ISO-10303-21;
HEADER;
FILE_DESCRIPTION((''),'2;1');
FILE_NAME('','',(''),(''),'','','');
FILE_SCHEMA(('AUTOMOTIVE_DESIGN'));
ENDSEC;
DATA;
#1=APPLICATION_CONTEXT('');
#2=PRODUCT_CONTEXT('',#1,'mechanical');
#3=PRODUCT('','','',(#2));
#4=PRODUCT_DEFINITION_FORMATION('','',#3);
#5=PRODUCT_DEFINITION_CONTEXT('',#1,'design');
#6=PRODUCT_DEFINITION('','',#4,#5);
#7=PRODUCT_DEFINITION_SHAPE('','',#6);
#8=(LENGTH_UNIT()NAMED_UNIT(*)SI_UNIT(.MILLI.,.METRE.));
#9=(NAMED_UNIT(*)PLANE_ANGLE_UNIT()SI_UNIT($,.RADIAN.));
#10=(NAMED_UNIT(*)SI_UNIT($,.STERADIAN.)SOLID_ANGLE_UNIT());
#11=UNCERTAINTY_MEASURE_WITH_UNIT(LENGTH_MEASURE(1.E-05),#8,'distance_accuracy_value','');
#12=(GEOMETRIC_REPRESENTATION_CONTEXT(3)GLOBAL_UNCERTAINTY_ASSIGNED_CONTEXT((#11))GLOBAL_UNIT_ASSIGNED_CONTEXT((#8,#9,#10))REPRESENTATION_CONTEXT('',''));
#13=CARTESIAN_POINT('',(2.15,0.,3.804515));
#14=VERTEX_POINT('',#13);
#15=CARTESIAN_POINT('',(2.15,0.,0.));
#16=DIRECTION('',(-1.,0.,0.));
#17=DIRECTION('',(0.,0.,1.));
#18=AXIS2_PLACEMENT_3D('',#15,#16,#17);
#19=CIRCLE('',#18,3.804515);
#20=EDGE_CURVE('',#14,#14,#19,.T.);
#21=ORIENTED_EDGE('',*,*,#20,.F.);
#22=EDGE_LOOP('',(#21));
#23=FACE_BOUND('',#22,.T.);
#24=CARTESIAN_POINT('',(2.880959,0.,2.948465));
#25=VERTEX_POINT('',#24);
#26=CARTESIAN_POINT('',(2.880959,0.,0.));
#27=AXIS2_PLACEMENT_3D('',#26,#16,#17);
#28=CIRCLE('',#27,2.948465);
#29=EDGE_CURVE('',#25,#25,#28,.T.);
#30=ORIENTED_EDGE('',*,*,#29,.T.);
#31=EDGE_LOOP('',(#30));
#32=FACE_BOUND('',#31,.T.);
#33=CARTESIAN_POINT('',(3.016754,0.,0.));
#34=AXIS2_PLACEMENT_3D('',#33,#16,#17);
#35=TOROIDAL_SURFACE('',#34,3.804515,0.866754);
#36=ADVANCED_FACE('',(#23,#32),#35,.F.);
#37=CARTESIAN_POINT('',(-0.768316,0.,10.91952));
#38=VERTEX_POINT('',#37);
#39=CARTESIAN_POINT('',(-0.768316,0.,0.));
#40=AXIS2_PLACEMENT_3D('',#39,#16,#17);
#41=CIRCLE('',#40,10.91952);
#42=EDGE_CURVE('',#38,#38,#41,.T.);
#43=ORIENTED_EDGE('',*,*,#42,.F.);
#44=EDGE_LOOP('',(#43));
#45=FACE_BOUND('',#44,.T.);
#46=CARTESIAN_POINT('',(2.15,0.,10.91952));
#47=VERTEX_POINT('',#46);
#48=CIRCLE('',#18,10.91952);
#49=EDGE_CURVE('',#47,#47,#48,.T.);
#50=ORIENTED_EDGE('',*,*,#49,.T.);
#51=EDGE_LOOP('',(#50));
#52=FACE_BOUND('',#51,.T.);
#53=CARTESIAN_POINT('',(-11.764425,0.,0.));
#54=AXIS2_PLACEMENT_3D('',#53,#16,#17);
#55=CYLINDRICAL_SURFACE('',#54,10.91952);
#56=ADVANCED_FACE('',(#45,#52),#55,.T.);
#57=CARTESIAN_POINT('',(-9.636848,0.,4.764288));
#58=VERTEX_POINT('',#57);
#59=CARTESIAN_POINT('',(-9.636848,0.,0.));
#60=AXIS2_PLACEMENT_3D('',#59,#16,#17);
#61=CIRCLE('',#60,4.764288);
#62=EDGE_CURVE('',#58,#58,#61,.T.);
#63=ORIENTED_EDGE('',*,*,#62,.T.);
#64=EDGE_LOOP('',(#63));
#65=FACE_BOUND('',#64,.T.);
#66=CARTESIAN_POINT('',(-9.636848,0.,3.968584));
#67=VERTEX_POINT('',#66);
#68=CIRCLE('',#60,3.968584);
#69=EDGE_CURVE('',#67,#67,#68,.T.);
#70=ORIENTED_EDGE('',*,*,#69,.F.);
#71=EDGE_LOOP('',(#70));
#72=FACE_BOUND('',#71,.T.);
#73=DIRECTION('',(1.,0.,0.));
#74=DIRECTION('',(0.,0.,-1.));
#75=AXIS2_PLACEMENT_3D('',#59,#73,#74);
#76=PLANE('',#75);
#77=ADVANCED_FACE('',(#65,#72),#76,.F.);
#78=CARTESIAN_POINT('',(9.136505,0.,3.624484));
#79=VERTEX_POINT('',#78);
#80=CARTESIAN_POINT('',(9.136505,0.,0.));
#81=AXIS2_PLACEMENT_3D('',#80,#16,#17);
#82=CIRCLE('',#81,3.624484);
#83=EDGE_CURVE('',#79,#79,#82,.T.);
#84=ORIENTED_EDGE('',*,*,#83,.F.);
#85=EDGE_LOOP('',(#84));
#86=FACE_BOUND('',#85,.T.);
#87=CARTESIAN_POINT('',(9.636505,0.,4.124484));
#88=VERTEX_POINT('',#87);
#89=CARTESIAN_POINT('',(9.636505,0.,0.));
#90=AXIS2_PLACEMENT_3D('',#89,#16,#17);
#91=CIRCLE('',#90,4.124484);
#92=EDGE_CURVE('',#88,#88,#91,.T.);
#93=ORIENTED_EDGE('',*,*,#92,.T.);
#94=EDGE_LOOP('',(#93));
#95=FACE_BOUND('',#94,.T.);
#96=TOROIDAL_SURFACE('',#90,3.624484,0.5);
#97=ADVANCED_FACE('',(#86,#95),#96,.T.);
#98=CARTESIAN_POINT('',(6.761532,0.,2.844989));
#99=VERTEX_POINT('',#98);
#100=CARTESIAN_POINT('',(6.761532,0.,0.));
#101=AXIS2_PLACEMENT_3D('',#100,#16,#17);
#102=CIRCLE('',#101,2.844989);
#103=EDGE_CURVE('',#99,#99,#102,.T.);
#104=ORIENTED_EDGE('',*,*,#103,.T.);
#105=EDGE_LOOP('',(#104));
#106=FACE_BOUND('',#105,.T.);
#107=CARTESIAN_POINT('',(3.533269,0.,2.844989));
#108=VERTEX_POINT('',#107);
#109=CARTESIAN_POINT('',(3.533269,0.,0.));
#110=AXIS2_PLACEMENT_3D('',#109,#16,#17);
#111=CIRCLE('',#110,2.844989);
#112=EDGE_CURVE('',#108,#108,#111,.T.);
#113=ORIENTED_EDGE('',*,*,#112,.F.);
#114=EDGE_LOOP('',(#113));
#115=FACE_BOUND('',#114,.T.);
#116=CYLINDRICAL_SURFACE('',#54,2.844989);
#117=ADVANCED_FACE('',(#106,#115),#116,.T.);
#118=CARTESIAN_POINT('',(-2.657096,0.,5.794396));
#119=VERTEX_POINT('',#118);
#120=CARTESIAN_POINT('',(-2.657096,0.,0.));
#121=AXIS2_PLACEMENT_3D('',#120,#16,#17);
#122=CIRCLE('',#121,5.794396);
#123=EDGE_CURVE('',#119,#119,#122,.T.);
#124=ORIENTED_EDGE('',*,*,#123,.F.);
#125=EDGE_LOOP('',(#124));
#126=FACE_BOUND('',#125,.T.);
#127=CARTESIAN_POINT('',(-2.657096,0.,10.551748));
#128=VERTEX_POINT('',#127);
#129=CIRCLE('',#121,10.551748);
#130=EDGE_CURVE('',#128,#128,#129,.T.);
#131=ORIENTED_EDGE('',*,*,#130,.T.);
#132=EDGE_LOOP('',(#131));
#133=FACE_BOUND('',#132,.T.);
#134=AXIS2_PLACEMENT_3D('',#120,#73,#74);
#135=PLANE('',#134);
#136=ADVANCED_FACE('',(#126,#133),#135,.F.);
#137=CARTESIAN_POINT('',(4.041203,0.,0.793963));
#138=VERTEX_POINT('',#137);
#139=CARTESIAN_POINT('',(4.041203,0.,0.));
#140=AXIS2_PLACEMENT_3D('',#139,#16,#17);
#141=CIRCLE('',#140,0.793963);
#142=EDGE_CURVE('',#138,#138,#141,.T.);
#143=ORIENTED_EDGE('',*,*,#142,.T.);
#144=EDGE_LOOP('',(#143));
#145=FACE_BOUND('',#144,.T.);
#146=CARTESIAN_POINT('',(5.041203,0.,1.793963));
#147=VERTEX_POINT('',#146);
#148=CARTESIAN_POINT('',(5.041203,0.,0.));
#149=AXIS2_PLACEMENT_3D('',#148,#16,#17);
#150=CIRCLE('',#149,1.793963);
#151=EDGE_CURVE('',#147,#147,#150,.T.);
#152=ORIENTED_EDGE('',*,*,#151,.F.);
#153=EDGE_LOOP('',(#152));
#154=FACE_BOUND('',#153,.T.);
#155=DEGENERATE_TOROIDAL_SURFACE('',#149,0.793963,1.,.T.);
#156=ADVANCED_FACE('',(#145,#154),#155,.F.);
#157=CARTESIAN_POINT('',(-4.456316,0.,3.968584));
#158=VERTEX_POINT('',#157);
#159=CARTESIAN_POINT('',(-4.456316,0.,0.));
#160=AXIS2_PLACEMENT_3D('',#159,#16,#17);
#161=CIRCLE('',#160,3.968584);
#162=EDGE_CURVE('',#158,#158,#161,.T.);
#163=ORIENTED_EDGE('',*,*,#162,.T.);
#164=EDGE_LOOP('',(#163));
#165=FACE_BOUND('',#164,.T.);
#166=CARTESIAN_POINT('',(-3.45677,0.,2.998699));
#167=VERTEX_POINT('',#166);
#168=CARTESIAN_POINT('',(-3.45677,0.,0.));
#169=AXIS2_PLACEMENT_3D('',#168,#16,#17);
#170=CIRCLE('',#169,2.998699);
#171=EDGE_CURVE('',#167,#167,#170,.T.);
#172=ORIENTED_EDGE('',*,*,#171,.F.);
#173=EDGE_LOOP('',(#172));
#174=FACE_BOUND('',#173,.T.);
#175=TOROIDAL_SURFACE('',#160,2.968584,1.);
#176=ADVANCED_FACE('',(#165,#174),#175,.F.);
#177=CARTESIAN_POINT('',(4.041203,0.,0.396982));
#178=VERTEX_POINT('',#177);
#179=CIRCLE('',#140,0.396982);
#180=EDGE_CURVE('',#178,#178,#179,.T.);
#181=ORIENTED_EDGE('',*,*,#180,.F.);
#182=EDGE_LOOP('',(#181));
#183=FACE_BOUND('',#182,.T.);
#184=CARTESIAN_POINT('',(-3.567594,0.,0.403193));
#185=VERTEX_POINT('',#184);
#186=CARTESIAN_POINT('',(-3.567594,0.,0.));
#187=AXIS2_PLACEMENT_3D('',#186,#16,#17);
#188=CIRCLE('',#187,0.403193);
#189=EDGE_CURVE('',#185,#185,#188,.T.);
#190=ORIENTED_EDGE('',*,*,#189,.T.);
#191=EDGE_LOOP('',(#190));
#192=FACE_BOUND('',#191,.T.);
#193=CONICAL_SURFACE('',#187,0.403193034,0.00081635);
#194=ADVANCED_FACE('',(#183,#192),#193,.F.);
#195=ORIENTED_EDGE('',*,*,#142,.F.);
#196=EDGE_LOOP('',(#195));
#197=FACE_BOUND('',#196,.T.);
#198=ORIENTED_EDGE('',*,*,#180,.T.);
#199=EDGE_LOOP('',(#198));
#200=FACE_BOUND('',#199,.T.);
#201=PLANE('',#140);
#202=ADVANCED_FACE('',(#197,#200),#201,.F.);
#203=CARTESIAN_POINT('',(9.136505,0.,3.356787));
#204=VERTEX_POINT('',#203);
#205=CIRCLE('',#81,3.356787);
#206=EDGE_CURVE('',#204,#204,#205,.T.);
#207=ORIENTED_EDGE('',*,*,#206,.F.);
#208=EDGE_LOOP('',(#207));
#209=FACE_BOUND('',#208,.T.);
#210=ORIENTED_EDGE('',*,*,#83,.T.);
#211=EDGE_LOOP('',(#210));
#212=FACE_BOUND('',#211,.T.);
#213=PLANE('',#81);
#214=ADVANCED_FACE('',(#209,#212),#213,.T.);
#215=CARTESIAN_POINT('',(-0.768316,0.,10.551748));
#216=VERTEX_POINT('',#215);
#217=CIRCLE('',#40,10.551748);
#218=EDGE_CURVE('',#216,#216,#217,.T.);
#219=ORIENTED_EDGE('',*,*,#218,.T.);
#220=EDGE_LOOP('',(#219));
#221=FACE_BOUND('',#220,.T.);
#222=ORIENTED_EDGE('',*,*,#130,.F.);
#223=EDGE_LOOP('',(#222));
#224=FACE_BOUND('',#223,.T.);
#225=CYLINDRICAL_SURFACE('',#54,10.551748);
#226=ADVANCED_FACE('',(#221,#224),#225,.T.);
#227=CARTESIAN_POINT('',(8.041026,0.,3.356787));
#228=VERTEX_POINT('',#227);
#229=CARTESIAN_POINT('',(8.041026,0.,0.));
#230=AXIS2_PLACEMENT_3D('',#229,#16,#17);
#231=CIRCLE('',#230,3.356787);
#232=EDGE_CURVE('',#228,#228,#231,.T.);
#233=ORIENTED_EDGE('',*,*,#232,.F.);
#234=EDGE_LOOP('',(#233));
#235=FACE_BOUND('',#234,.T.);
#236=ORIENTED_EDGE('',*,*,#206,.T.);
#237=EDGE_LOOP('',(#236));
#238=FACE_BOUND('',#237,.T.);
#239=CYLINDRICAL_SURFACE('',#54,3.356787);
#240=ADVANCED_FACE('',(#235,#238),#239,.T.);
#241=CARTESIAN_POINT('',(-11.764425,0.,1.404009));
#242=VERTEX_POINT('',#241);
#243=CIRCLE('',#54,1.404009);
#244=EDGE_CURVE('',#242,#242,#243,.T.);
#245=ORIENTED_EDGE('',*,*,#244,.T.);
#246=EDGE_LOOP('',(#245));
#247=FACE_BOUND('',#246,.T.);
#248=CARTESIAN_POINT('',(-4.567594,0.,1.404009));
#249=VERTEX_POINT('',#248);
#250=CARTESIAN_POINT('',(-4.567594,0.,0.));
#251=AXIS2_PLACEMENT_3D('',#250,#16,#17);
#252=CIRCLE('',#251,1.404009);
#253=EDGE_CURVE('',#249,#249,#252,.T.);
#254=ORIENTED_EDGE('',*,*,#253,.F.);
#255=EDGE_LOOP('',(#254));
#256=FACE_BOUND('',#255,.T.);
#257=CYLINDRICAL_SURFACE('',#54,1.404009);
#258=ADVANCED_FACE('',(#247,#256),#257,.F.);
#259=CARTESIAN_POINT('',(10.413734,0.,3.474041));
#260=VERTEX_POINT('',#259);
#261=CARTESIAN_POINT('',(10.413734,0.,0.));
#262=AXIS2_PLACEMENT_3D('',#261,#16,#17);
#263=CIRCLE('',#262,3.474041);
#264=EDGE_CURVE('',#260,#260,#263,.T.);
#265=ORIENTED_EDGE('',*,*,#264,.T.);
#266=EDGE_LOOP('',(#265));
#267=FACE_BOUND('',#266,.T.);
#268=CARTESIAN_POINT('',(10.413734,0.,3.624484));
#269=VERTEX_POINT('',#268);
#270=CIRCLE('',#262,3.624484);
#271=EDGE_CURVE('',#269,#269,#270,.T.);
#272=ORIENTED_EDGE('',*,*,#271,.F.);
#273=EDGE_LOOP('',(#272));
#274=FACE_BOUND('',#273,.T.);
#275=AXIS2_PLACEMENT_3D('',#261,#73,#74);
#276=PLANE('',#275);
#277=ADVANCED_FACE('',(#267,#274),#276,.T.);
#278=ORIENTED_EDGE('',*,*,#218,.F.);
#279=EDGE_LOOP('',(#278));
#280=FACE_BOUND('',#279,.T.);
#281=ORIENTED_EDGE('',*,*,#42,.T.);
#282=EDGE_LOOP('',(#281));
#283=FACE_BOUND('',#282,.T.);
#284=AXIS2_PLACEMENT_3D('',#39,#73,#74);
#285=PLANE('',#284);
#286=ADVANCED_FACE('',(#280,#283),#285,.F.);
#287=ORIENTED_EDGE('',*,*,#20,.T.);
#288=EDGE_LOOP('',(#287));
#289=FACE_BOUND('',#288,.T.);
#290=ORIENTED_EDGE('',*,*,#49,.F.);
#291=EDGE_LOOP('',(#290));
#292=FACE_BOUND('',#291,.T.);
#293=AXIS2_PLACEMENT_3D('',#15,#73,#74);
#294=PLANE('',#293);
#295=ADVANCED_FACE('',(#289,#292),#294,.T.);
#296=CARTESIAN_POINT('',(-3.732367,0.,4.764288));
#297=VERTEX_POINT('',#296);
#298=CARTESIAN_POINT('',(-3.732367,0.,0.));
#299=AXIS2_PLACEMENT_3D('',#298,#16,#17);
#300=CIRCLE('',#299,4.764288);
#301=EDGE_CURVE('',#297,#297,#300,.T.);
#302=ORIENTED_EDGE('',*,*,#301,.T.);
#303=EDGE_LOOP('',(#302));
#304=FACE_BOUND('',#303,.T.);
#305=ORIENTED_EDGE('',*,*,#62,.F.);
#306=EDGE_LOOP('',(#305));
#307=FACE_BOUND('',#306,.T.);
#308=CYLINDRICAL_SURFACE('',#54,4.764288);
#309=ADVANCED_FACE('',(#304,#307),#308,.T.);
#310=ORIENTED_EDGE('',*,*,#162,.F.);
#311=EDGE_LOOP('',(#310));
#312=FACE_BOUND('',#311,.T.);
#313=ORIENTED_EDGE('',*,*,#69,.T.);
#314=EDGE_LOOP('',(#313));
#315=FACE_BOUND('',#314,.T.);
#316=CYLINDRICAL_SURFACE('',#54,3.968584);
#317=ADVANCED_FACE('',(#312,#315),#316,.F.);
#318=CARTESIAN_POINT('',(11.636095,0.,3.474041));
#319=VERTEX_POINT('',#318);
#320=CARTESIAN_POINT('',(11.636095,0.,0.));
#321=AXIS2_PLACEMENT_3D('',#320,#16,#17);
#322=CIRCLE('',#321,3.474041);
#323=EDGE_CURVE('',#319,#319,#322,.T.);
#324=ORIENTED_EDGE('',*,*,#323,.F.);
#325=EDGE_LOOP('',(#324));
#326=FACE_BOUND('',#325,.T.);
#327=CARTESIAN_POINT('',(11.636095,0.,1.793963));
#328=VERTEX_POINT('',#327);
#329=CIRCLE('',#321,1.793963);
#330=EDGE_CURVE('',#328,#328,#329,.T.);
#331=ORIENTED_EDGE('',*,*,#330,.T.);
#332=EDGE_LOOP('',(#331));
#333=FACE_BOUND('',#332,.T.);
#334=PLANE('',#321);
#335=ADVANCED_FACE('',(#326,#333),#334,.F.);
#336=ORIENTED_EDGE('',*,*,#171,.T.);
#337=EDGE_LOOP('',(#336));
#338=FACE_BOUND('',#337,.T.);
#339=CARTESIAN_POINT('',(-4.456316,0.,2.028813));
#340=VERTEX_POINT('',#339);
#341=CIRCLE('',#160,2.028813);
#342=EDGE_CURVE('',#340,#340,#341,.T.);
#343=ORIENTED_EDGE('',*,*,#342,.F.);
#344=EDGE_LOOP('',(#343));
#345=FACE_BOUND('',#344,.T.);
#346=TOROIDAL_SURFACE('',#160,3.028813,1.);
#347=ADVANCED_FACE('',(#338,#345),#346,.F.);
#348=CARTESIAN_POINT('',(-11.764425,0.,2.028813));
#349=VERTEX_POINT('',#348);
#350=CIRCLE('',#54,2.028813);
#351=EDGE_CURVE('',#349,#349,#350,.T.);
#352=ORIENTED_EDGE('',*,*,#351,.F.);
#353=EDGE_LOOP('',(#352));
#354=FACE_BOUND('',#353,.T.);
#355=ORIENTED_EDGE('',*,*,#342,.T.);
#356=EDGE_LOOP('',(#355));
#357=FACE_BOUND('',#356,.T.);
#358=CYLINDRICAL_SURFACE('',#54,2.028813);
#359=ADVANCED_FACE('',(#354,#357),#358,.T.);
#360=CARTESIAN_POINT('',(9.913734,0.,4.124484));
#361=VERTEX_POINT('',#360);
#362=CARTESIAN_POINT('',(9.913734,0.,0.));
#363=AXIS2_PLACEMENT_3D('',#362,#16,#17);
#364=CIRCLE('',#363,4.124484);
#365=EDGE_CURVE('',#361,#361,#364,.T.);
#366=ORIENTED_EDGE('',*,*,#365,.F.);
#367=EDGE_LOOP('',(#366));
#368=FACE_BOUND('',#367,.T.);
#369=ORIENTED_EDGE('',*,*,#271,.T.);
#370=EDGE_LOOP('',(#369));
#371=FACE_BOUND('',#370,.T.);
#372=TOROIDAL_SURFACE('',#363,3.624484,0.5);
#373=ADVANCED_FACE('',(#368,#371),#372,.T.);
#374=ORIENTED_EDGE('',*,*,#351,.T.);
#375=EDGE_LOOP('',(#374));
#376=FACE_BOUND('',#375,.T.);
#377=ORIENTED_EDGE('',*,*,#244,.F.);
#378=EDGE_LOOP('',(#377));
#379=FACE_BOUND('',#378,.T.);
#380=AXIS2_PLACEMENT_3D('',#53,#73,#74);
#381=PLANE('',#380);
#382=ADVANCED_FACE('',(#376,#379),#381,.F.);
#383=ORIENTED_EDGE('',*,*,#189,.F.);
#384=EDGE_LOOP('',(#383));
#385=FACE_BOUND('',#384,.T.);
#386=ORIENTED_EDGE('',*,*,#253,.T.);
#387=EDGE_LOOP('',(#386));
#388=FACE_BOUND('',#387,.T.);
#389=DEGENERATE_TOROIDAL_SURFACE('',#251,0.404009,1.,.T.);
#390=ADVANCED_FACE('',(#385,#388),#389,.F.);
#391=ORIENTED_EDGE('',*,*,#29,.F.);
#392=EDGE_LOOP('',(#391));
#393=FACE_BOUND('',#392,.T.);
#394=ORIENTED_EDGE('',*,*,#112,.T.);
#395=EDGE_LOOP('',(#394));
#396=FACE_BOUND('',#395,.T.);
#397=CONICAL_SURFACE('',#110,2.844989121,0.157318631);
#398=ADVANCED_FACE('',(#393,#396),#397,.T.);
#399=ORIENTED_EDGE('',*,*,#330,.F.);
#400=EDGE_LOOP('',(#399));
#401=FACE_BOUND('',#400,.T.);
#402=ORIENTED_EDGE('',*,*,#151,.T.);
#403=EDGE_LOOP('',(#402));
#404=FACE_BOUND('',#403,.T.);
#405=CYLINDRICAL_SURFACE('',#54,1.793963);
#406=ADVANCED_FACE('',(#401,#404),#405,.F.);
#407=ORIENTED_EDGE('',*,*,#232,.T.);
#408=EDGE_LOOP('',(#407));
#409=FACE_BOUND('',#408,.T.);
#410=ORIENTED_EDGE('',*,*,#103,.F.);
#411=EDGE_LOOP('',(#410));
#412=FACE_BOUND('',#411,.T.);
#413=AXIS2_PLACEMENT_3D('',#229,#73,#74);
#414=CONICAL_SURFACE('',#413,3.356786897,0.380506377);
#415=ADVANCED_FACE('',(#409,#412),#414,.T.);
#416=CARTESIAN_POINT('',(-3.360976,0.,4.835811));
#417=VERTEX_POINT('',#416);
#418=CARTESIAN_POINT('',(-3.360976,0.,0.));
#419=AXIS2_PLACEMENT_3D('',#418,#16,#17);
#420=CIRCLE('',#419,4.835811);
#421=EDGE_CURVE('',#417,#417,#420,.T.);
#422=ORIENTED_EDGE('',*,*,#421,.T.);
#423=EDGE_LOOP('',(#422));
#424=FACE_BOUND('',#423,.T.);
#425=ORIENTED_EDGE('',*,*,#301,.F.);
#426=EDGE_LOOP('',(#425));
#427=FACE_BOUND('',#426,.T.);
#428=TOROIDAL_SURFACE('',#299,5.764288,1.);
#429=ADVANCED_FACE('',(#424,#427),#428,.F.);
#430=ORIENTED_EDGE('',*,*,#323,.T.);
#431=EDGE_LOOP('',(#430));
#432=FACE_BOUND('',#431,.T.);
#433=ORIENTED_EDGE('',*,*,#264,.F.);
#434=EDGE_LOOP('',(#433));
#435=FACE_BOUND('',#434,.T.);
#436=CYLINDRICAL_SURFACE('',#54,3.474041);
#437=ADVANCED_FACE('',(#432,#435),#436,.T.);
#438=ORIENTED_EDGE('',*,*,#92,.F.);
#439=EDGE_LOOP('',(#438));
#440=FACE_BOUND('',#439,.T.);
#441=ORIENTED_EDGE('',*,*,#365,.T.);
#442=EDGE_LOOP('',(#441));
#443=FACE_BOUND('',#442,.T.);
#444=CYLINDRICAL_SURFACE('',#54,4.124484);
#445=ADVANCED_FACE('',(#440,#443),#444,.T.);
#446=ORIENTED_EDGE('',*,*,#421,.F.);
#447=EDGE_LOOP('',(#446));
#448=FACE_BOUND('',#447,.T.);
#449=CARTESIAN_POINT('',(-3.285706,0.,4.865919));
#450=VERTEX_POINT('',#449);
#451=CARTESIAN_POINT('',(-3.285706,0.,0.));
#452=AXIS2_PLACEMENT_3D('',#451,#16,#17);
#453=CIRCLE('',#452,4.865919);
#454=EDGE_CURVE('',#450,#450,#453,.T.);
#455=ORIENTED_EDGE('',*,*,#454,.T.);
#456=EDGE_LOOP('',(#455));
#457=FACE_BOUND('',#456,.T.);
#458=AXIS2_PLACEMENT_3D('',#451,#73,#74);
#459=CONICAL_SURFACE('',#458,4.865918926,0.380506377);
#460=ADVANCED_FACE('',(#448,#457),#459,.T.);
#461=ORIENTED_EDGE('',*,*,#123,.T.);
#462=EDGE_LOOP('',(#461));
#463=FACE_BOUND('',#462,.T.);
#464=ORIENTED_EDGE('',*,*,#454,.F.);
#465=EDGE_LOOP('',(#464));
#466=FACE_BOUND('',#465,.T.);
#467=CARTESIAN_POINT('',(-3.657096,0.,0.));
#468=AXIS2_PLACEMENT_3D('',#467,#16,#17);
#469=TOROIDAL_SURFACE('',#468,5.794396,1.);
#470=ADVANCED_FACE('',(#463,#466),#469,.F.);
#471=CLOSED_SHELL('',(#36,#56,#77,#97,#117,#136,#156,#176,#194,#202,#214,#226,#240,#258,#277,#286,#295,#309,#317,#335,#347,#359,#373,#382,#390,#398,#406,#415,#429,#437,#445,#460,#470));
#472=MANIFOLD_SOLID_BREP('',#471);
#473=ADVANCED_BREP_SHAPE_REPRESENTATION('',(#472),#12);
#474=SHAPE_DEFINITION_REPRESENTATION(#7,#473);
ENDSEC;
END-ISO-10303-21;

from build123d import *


with BuildPart() as part:
    # Sketch1 → Revolve4 (revolve)
    with BuildSketch(Plane.XY):
        with BuildLine():
            Line((5.041203221, 1.793963182), (11.636095271, 1.793963182))
            Line((11.636095271, 1.793963182), (11.636095271, 3.474041076))
            Line((11.636095271, 3.474041076), (10.413733838, 3.474041076))
            Line((10.413733838, 3.474041076), (10.413733838, 3.624483561))
            ThreePointArc((10.413733838, 3.624483561), (10.267287229, 3.978036951), (9.913733838, 4.124483561))
            Line((9.913733838, 4.124483561), (9.636504646, 4.124483561))
            ThreePointArc((9.636504646, 4.124483561), (9.282951256, 3.978036951), (9.136504646, 3.624483561))
            Line((9.136504646, 3.624483561), (9.136504646, 3.356786897))
            Line((9.136504646, 3.356786897), (8.041025967, 3.356786897))
            Line((8.041025967, 3.356786897), (6.761531527, 2.844989121))
            Line((6.761531527, 2.844989121), (3.533268632, 2.844989121))
            Line((3.533268632, 2.844989121), (2.880959035, 2.948464629))
            ThreePointArc((2.880959035, 2.948464629), (2.357601777, 3.241682021), (2.15, 3.804514822))
            Line((2.15, 3.804514822), (2.15, 10.919520398))
            Line((2.15, 10.919520398), (-0.768316058, 10.919520398))
            Line((-0.768316058, 10.919520398), (-0.768316058, 10.55174815))
            Line((-0.768316058, 10.55174815), (-2.657096382, 10.55174815))
            Line((-2.657096382, 10.55174815), (-2.657096382, 5.794395617))
            ThreePointArc((-2.657096382, 5.794395617), (-2.829029151, 5.233766808), (-3.285705706, 4.865918926))
            Line((-3.285705706, 4.865918926), (-3.360975829, 4.835810877))
            ThreePointArc((-3.360975829, 4.835810877), (-3.543258984, 4.782331181), (-3.732366505, 4.764287568))
            Line((-3.732366505, 4.764287568), (-9.636847528, 4.764287568))
            Line((-9.636847528, 4.764287568), (-9.636847528, 3.968584367))
            Line((-9.636847528, 3.968584367), (-4.456316011, 3.968584367))
            ThreePointArc((-4.456316011, 3.968584367), (-3.759937696, 3.686259252), (-3.456769555, 2.99869885))
            ThreePointArc((-3.456769555, 2.99869885), (-3.759937696, 2.311138448), (-4.456316011, 2.028813334))
            Line((-4.456316011, 2.028813334), (-11.764424808, 2.028813334))
            Line((-11.764424808, 2.028813334), (-11.764424808, 1.404009384))
            Line((-11.764424808, 1.404009384), (-4.567593559, 1.404009384))
            ThreePointArc((-4.567593559, 1.404009384), (-3.860198498, 1.110827296), (-3.567594225, 0.403193034))
            Line((-3.567594225, 0.403193034), (4.041203221, 0.396981591))
            Line((4.041203221, 0.396981591), (4.041203221, 0.793963182))
            ThreePointArc((4.041203221, 0.793963182), (4.334096439, 1.501069963), (5.041203221, 1.793963182))
        make_face()
    revolve(axis=Axis((-11.764424808, 0, 0), (1, 0, 0)))


solid = part.part
